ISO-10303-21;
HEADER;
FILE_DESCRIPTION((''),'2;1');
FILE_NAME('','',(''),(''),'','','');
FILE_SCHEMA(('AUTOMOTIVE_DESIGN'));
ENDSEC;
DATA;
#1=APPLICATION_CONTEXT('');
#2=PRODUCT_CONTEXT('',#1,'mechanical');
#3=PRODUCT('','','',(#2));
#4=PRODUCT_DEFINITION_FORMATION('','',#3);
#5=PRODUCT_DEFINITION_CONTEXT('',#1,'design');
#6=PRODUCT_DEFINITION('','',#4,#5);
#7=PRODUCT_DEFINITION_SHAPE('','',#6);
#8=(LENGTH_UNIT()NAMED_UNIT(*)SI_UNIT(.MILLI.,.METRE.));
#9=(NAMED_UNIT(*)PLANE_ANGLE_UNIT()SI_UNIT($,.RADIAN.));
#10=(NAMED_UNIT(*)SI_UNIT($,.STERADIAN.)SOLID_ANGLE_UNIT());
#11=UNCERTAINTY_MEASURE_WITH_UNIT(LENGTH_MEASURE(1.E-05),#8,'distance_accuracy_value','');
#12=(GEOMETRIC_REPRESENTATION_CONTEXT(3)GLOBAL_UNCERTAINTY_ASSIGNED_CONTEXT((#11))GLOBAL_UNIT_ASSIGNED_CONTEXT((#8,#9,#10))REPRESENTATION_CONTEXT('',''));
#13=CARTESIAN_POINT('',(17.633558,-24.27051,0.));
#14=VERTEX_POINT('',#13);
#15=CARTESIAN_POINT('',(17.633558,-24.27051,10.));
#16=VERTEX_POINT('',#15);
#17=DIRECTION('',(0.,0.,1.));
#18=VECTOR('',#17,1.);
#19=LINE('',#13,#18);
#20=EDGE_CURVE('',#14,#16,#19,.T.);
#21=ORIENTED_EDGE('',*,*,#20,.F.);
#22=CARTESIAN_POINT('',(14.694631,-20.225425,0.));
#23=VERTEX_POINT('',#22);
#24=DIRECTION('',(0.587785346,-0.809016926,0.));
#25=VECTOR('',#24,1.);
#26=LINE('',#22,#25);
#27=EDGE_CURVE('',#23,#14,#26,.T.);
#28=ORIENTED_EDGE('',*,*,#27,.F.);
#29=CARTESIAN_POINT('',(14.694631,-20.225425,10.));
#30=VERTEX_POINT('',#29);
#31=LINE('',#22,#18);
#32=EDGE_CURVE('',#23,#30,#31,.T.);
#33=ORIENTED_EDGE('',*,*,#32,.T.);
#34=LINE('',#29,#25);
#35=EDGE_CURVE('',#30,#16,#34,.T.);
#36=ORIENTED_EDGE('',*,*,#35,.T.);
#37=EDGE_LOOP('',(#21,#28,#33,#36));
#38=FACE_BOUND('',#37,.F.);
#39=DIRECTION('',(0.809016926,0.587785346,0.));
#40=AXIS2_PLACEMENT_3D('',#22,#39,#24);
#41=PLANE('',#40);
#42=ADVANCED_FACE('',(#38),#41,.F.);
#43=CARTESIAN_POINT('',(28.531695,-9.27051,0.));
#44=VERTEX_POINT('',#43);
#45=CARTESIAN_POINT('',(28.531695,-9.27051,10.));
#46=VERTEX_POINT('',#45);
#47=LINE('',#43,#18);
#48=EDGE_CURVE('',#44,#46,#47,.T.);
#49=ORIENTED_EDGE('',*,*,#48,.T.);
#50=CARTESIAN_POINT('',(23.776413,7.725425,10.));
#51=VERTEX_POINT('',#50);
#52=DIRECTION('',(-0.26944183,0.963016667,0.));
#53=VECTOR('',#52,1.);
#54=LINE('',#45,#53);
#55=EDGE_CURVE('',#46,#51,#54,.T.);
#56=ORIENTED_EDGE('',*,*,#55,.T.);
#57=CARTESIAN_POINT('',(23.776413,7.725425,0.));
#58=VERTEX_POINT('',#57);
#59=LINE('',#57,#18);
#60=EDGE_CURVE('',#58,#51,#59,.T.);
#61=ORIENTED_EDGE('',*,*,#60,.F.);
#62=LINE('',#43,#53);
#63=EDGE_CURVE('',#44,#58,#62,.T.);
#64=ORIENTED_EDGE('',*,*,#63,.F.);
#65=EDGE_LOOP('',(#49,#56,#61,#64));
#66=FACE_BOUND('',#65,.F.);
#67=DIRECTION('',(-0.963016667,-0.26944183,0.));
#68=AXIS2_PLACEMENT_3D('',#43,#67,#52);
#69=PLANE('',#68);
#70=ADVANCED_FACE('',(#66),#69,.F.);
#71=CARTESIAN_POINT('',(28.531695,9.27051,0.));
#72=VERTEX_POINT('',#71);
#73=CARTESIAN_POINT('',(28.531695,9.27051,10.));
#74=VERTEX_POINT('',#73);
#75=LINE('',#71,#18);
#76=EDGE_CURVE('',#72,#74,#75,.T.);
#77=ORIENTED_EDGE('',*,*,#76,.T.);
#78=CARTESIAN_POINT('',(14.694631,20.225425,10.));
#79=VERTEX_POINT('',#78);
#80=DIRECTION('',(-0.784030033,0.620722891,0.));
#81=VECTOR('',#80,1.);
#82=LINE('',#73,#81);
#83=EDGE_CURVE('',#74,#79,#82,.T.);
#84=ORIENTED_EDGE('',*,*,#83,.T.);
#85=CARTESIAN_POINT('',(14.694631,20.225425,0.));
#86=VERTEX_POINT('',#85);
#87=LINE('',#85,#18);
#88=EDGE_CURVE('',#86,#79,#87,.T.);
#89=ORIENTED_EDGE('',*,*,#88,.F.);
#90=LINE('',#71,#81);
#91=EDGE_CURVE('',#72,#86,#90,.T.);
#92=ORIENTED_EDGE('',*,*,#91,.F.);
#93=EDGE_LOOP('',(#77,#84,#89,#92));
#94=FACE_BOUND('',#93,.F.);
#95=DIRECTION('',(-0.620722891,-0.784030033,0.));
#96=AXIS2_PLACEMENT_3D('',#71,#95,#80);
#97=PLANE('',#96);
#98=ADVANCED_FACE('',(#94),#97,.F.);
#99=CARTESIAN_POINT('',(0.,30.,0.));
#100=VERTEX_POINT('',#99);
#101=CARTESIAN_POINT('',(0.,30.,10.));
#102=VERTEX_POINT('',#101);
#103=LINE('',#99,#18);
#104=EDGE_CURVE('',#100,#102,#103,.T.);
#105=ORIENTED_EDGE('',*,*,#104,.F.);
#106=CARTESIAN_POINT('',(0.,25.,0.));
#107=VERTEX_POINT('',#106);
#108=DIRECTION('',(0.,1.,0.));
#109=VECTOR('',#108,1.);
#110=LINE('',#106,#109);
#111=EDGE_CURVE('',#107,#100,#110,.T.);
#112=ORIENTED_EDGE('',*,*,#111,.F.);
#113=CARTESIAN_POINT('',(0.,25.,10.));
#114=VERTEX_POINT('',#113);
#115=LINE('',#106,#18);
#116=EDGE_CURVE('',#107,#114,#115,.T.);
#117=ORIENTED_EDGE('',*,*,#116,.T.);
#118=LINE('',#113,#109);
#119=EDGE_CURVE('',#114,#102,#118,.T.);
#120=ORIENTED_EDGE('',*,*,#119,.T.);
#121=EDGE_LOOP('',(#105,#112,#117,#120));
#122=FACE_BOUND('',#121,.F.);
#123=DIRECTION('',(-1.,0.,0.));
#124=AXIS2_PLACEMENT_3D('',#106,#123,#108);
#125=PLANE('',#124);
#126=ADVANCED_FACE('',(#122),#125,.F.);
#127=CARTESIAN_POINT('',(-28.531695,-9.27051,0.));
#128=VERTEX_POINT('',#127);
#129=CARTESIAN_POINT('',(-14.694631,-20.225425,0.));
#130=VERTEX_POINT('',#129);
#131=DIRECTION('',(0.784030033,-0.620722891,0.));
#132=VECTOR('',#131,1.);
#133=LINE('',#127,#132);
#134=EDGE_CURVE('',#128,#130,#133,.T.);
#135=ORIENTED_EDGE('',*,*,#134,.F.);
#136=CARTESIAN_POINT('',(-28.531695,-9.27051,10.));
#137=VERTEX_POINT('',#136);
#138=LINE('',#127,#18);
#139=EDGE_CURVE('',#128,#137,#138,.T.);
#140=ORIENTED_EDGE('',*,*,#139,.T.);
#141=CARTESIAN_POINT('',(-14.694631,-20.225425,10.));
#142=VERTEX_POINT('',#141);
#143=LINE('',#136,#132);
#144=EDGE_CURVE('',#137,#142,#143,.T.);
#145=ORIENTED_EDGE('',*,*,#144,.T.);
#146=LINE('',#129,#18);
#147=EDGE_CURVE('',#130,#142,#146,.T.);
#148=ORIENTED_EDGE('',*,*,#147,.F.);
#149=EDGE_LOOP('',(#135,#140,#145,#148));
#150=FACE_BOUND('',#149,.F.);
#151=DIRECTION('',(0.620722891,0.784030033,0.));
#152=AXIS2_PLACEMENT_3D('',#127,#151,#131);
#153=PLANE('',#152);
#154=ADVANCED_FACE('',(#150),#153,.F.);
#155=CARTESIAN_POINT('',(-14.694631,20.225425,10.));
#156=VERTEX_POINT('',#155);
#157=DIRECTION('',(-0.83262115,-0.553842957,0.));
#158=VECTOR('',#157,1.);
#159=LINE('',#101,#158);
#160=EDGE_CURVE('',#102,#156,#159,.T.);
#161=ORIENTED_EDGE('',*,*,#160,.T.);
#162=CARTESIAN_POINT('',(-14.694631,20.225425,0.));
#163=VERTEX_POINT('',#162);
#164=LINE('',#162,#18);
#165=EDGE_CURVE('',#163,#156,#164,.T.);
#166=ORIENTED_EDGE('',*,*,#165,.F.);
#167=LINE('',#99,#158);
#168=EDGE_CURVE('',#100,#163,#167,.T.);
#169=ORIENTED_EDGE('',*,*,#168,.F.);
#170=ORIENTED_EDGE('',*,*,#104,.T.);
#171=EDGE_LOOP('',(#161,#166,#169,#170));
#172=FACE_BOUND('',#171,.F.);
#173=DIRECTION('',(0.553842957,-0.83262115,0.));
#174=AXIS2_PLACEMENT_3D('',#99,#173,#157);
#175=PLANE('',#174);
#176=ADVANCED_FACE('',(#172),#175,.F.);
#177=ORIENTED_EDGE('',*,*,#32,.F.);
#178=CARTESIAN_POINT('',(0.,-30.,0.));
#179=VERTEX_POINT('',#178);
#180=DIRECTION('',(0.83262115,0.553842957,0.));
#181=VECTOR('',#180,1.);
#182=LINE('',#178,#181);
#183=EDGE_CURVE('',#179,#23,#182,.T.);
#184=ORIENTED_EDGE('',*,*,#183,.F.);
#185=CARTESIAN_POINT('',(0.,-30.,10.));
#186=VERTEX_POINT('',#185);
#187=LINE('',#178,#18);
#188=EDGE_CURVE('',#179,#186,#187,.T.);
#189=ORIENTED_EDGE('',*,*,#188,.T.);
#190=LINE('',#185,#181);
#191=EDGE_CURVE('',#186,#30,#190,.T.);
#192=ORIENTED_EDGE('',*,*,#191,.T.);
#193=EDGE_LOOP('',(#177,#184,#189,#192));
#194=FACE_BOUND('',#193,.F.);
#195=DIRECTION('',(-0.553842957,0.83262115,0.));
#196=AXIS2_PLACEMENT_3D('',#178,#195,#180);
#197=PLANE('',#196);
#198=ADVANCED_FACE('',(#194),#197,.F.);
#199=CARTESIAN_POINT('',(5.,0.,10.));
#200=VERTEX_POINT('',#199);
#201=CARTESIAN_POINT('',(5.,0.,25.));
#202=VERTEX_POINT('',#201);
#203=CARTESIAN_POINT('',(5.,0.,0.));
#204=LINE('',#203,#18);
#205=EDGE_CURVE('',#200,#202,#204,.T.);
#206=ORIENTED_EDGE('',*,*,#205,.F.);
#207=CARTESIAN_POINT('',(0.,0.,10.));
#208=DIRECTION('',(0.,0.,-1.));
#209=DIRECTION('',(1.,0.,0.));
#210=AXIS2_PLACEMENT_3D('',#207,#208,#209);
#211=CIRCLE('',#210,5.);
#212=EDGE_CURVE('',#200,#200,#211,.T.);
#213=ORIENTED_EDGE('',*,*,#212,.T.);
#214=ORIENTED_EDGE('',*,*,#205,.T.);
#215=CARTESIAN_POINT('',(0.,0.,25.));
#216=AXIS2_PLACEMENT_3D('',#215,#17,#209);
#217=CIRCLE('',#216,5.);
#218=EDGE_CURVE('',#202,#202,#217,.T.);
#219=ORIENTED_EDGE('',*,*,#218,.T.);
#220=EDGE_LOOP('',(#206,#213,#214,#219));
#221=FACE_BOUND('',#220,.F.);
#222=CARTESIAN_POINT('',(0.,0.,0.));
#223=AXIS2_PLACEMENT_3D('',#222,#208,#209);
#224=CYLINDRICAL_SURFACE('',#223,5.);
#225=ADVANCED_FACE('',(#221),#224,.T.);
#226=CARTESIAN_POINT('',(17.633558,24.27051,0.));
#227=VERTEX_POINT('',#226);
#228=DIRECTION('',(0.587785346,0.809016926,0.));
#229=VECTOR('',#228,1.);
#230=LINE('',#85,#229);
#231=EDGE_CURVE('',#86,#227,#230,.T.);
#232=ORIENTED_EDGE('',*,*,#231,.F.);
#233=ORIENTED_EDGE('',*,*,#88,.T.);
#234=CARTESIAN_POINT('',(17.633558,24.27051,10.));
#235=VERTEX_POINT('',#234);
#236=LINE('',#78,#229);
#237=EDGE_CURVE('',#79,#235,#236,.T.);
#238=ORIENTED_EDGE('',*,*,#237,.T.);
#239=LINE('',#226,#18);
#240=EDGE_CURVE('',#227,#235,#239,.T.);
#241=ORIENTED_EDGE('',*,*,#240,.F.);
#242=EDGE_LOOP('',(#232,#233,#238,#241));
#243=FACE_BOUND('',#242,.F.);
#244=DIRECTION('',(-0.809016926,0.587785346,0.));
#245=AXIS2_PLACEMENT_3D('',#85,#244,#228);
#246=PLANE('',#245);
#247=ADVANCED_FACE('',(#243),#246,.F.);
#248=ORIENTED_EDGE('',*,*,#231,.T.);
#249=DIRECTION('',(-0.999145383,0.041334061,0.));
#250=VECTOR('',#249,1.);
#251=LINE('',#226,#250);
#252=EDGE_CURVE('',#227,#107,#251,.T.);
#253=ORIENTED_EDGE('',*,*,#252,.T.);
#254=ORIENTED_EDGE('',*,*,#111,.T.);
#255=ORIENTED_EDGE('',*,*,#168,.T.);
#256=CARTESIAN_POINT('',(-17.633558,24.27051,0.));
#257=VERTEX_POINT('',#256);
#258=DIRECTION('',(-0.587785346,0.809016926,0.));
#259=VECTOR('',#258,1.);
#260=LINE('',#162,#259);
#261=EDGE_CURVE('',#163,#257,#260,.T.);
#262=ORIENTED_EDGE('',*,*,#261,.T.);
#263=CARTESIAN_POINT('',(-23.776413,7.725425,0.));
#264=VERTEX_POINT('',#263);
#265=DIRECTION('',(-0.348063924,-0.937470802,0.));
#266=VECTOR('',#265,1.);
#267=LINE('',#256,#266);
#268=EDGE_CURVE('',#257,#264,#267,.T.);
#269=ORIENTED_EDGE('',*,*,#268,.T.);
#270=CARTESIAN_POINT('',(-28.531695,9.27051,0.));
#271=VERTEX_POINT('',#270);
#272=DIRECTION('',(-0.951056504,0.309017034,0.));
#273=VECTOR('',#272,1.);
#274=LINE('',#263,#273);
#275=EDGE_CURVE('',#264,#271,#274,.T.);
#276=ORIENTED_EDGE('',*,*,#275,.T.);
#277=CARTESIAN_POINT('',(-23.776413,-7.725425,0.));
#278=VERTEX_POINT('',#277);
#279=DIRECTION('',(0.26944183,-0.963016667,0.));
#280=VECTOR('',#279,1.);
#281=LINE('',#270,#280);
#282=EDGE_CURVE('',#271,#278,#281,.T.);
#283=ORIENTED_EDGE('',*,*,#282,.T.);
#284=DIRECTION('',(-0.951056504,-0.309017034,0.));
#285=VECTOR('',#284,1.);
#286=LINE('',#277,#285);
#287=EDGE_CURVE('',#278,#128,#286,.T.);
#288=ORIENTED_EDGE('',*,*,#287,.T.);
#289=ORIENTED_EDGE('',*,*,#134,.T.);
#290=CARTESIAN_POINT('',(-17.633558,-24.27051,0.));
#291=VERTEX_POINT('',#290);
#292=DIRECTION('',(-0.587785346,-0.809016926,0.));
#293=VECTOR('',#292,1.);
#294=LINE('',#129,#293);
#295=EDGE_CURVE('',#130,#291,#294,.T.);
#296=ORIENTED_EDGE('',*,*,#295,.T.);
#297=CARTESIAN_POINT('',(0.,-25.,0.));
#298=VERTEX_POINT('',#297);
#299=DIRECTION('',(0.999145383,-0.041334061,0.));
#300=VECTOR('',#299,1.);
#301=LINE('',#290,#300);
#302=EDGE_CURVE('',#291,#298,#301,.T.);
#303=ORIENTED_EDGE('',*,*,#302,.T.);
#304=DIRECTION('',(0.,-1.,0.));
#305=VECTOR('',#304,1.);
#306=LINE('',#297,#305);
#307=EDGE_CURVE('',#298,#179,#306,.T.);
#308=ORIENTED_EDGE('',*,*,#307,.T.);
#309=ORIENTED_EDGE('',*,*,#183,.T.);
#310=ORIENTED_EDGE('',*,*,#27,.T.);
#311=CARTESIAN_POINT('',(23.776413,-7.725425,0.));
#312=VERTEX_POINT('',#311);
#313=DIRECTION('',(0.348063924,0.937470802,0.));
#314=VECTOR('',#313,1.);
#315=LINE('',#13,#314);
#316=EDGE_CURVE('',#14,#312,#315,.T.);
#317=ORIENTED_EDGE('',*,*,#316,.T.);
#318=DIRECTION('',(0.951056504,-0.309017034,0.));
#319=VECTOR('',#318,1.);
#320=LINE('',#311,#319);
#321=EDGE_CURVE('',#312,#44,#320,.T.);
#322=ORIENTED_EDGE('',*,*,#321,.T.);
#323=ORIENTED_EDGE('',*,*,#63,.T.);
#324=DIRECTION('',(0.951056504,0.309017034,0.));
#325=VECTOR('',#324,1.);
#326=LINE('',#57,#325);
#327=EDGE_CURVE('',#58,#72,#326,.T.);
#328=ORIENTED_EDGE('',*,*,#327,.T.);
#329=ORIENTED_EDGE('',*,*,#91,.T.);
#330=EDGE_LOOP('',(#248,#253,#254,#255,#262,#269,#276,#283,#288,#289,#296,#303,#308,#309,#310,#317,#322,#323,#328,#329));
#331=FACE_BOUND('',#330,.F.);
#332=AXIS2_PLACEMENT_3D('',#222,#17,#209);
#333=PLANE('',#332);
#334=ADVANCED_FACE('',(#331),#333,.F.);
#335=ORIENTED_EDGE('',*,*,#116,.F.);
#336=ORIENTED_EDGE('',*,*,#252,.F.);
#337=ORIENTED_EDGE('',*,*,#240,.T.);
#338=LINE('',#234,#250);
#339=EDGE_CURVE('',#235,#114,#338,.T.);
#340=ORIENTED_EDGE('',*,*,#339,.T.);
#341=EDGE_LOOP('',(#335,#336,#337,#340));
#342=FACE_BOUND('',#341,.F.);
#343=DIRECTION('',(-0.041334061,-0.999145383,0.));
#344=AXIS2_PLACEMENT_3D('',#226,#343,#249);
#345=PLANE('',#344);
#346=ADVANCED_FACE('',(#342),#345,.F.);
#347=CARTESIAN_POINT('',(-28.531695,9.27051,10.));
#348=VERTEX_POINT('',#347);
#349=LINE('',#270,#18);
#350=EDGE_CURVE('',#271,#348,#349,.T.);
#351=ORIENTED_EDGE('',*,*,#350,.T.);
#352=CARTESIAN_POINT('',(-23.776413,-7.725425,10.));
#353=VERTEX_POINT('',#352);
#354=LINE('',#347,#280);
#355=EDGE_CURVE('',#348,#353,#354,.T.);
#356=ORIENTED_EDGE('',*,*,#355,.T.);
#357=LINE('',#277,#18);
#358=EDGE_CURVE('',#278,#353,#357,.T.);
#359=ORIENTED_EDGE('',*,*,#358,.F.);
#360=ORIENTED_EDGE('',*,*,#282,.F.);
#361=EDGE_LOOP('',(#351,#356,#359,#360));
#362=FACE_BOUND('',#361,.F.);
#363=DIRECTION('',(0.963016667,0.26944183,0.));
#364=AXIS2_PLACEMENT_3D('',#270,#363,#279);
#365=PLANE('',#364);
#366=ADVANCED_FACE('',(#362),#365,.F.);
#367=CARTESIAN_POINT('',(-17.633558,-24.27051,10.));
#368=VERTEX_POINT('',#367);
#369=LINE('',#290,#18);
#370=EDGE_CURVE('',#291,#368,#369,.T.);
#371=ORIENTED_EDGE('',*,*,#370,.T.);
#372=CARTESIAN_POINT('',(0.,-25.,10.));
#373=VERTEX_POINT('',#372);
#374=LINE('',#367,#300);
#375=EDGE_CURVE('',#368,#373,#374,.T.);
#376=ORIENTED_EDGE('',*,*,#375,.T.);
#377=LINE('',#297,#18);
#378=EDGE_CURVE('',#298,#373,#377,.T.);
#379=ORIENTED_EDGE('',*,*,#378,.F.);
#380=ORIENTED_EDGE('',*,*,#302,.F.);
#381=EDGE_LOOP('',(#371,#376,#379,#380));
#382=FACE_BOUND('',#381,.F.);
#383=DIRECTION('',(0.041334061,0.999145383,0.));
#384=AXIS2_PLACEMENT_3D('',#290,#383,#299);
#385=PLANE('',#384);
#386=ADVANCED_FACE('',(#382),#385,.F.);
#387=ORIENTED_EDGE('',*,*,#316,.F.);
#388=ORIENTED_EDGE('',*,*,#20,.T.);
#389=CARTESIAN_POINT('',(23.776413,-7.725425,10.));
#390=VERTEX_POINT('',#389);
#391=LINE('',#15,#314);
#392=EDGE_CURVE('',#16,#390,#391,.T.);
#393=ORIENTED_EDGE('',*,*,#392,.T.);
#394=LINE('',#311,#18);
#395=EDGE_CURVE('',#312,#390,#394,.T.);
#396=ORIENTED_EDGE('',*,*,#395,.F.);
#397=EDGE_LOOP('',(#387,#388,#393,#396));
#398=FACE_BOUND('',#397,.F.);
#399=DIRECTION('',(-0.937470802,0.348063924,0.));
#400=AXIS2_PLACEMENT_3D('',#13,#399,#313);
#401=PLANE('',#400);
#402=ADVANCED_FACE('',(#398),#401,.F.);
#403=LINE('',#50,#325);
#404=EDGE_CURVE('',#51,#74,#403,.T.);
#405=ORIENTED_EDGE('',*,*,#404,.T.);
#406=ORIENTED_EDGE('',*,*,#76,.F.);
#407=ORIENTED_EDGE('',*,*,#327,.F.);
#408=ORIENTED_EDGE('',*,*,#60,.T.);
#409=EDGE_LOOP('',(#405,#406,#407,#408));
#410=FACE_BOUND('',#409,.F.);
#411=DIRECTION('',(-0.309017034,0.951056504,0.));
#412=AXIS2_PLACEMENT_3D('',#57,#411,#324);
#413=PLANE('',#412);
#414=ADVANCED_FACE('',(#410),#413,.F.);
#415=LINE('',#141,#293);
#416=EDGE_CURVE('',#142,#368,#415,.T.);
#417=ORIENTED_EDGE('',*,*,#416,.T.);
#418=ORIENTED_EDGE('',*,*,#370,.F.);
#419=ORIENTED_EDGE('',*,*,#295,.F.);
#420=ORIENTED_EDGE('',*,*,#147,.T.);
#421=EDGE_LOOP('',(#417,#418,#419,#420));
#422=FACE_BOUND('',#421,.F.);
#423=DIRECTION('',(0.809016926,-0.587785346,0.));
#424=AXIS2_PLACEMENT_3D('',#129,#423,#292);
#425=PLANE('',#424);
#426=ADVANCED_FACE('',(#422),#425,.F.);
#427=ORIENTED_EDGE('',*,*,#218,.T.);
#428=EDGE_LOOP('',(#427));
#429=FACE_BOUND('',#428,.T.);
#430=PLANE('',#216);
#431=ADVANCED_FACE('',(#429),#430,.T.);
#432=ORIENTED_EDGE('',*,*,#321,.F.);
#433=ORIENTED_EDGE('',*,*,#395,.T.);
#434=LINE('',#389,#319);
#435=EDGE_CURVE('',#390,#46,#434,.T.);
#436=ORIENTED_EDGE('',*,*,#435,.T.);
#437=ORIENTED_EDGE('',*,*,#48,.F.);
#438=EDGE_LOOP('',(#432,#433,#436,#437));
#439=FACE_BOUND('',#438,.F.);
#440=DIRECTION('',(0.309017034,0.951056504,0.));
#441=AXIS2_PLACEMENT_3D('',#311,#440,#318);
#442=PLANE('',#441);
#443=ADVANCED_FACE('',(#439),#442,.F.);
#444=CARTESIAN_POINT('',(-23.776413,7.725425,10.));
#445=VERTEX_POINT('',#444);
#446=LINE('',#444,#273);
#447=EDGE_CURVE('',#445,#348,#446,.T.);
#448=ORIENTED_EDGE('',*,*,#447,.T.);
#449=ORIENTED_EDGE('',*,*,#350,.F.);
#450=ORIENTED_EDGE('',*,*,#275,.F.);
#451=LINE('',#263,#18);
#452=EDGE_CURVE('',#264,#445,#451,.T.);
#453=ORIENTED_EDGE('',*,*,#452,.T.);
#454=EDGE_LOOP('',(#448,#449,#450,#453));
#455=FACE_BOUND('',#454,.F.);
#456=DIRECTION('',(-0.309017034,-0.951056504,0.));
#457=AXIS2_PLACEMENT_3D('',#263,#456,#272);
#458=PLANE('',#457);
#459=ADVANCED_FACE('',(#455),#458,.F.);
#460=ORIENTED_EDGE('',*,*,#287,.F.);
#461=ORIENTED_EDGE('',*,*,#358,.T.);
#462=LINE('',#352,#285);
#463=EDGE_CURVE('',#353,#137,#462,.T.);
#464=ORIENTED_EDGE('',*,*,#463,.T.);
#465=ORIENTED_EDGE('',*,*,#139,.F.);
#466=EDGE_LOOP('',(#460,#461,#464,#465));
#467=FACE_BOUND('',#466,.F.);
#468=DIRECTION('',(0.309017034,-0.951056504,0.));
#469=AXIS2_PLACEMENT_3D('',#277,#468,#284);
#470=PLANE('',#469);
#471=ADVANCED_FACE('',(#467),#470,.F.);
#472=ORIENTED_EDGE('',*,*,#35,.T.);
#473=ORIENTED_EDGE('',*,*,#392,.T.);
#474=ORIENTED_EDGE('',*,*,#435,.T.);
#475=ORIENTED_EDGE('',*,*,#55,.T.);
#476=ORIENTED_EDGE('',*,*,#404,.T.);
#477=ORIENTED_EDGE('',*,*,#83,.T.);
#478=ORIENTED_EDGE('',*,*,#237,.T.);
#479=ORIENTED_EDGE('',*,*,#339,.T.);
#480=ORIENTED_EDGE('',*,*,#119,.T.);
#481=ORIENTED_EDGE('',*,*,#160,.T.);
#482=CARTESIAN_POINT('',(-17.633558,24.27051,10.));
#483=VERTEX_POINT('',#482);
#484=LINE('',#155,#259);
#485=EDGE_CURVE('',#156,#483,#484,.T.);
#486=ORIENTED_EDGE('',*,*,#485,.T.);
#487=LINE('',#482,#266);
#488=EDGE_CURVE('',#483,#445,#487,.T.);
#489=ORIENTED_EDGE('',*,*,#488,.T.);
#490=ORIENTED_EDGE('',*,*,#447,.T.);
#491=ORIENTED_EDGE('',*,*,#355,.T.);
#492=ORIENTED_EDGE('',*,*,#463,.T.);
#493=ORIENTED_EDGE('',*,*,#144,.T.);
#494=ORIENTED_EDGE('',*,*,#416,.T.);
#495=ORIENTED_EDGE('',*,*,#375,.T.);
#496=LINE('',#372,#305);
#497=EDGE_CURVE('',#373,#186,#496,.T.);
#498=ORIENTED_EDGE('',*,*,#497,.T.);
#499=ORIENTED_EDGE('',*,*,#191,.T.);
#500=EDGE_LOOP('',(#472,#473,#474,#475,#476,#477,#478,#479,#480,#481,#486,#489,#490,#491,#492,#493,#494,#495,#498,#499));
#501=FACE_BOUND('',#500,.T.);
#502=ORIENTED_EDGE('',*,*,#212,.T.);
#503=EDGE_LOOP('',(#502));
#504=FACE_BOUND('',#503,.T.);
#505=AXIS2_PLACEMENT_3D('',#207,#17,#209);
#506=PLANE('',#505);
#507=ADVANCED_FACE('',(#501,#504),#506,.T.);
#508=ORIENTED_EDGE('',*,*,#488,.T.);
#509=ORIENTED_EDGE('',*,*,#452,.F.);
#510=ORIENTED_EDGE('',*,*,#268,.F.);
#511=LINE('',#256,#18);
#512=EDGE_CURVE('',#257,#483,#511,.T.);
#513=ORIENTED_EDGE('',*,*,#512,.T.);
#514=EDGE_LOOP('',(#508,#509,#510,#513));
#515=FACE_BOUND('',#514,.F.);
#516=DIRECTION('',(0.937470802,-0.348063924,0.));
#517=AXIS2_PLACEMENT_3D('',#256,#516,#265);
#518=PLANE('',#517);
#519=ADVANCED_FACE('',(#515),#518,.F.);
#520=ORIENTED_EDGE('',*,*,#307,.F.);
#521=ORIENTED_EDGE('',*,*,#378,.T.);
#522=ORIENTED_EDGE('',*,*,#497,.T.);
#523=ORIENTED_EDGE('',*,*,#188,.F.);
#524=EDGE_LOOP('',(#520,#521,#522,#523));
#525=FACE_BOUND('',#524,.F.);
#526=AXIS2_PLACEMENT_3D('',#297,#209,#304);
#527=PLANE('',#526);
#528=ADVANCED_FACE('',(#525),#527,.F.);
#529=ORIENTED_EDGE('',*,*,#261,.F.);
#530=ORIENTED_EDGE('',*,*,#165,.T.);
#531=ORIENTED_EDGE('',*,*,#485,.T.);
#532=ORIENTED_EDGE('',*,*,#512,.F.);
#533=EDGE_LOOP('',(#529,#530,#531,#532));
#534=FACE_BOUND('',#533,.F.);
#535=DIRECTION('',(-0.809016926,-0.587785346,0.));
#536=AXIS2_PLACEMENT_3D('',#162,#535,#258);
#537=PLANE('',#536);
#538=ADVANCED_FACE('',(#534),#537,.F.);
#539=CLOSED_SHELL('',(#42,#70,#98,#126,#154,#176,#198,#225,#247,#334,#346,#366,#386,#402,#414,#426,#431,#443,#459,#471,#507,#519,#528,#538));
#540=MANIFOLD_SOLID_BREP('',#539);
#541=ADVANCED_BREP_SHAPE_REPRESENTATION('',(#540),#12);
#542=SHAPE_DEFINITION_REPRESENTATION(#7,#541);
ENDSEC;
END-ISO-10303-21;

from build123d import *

# Parameters (mm, degrees)
F1_DEPTH = 10
F2_R     = 5
F3_DEPTH = 25
F4_R     = 5
F5_DEPTH = 10


with BuildPart() as f1:
    # F0 (on Top) → F1 (new body)
    with BuildSketch(Plane.XY):
        Polygon((0, 25), (0, 30), (-14.694631, 20.225425), (-17.633558, 24.27051), (-23.776413, 7.725425), (-28.531695, 9.27051), (-23.776413, -7.725425), (-28.531695, -9.27051), (-14.694631, -20.225425), (-17.633558, -24.27051), (0, -25), (0, -30), (14.694631, -20.225425), (17.633558, -24.27051), (23.776413, -7.725425), (28.531695, -9.27051), (23.776413, 7.725425), (28.531695, 9.27051), (14.694631, 20.225425), (17.633558, 24.27051), align=None)
    extrude(amount=F1_DEPTH)

    # F2 (on Top) → F3 (join)
    with BuildSketch(Plane.XY):
        Circle(F2_R)
    extrude(amount=F3_DEPTH)

    # F4 (on Top) → F5 (join)
    with BuildSketch(Plane.XY):
        Circle(F4_R)
    extrude(amount=F5_DEPTH)


solid = f1.part
